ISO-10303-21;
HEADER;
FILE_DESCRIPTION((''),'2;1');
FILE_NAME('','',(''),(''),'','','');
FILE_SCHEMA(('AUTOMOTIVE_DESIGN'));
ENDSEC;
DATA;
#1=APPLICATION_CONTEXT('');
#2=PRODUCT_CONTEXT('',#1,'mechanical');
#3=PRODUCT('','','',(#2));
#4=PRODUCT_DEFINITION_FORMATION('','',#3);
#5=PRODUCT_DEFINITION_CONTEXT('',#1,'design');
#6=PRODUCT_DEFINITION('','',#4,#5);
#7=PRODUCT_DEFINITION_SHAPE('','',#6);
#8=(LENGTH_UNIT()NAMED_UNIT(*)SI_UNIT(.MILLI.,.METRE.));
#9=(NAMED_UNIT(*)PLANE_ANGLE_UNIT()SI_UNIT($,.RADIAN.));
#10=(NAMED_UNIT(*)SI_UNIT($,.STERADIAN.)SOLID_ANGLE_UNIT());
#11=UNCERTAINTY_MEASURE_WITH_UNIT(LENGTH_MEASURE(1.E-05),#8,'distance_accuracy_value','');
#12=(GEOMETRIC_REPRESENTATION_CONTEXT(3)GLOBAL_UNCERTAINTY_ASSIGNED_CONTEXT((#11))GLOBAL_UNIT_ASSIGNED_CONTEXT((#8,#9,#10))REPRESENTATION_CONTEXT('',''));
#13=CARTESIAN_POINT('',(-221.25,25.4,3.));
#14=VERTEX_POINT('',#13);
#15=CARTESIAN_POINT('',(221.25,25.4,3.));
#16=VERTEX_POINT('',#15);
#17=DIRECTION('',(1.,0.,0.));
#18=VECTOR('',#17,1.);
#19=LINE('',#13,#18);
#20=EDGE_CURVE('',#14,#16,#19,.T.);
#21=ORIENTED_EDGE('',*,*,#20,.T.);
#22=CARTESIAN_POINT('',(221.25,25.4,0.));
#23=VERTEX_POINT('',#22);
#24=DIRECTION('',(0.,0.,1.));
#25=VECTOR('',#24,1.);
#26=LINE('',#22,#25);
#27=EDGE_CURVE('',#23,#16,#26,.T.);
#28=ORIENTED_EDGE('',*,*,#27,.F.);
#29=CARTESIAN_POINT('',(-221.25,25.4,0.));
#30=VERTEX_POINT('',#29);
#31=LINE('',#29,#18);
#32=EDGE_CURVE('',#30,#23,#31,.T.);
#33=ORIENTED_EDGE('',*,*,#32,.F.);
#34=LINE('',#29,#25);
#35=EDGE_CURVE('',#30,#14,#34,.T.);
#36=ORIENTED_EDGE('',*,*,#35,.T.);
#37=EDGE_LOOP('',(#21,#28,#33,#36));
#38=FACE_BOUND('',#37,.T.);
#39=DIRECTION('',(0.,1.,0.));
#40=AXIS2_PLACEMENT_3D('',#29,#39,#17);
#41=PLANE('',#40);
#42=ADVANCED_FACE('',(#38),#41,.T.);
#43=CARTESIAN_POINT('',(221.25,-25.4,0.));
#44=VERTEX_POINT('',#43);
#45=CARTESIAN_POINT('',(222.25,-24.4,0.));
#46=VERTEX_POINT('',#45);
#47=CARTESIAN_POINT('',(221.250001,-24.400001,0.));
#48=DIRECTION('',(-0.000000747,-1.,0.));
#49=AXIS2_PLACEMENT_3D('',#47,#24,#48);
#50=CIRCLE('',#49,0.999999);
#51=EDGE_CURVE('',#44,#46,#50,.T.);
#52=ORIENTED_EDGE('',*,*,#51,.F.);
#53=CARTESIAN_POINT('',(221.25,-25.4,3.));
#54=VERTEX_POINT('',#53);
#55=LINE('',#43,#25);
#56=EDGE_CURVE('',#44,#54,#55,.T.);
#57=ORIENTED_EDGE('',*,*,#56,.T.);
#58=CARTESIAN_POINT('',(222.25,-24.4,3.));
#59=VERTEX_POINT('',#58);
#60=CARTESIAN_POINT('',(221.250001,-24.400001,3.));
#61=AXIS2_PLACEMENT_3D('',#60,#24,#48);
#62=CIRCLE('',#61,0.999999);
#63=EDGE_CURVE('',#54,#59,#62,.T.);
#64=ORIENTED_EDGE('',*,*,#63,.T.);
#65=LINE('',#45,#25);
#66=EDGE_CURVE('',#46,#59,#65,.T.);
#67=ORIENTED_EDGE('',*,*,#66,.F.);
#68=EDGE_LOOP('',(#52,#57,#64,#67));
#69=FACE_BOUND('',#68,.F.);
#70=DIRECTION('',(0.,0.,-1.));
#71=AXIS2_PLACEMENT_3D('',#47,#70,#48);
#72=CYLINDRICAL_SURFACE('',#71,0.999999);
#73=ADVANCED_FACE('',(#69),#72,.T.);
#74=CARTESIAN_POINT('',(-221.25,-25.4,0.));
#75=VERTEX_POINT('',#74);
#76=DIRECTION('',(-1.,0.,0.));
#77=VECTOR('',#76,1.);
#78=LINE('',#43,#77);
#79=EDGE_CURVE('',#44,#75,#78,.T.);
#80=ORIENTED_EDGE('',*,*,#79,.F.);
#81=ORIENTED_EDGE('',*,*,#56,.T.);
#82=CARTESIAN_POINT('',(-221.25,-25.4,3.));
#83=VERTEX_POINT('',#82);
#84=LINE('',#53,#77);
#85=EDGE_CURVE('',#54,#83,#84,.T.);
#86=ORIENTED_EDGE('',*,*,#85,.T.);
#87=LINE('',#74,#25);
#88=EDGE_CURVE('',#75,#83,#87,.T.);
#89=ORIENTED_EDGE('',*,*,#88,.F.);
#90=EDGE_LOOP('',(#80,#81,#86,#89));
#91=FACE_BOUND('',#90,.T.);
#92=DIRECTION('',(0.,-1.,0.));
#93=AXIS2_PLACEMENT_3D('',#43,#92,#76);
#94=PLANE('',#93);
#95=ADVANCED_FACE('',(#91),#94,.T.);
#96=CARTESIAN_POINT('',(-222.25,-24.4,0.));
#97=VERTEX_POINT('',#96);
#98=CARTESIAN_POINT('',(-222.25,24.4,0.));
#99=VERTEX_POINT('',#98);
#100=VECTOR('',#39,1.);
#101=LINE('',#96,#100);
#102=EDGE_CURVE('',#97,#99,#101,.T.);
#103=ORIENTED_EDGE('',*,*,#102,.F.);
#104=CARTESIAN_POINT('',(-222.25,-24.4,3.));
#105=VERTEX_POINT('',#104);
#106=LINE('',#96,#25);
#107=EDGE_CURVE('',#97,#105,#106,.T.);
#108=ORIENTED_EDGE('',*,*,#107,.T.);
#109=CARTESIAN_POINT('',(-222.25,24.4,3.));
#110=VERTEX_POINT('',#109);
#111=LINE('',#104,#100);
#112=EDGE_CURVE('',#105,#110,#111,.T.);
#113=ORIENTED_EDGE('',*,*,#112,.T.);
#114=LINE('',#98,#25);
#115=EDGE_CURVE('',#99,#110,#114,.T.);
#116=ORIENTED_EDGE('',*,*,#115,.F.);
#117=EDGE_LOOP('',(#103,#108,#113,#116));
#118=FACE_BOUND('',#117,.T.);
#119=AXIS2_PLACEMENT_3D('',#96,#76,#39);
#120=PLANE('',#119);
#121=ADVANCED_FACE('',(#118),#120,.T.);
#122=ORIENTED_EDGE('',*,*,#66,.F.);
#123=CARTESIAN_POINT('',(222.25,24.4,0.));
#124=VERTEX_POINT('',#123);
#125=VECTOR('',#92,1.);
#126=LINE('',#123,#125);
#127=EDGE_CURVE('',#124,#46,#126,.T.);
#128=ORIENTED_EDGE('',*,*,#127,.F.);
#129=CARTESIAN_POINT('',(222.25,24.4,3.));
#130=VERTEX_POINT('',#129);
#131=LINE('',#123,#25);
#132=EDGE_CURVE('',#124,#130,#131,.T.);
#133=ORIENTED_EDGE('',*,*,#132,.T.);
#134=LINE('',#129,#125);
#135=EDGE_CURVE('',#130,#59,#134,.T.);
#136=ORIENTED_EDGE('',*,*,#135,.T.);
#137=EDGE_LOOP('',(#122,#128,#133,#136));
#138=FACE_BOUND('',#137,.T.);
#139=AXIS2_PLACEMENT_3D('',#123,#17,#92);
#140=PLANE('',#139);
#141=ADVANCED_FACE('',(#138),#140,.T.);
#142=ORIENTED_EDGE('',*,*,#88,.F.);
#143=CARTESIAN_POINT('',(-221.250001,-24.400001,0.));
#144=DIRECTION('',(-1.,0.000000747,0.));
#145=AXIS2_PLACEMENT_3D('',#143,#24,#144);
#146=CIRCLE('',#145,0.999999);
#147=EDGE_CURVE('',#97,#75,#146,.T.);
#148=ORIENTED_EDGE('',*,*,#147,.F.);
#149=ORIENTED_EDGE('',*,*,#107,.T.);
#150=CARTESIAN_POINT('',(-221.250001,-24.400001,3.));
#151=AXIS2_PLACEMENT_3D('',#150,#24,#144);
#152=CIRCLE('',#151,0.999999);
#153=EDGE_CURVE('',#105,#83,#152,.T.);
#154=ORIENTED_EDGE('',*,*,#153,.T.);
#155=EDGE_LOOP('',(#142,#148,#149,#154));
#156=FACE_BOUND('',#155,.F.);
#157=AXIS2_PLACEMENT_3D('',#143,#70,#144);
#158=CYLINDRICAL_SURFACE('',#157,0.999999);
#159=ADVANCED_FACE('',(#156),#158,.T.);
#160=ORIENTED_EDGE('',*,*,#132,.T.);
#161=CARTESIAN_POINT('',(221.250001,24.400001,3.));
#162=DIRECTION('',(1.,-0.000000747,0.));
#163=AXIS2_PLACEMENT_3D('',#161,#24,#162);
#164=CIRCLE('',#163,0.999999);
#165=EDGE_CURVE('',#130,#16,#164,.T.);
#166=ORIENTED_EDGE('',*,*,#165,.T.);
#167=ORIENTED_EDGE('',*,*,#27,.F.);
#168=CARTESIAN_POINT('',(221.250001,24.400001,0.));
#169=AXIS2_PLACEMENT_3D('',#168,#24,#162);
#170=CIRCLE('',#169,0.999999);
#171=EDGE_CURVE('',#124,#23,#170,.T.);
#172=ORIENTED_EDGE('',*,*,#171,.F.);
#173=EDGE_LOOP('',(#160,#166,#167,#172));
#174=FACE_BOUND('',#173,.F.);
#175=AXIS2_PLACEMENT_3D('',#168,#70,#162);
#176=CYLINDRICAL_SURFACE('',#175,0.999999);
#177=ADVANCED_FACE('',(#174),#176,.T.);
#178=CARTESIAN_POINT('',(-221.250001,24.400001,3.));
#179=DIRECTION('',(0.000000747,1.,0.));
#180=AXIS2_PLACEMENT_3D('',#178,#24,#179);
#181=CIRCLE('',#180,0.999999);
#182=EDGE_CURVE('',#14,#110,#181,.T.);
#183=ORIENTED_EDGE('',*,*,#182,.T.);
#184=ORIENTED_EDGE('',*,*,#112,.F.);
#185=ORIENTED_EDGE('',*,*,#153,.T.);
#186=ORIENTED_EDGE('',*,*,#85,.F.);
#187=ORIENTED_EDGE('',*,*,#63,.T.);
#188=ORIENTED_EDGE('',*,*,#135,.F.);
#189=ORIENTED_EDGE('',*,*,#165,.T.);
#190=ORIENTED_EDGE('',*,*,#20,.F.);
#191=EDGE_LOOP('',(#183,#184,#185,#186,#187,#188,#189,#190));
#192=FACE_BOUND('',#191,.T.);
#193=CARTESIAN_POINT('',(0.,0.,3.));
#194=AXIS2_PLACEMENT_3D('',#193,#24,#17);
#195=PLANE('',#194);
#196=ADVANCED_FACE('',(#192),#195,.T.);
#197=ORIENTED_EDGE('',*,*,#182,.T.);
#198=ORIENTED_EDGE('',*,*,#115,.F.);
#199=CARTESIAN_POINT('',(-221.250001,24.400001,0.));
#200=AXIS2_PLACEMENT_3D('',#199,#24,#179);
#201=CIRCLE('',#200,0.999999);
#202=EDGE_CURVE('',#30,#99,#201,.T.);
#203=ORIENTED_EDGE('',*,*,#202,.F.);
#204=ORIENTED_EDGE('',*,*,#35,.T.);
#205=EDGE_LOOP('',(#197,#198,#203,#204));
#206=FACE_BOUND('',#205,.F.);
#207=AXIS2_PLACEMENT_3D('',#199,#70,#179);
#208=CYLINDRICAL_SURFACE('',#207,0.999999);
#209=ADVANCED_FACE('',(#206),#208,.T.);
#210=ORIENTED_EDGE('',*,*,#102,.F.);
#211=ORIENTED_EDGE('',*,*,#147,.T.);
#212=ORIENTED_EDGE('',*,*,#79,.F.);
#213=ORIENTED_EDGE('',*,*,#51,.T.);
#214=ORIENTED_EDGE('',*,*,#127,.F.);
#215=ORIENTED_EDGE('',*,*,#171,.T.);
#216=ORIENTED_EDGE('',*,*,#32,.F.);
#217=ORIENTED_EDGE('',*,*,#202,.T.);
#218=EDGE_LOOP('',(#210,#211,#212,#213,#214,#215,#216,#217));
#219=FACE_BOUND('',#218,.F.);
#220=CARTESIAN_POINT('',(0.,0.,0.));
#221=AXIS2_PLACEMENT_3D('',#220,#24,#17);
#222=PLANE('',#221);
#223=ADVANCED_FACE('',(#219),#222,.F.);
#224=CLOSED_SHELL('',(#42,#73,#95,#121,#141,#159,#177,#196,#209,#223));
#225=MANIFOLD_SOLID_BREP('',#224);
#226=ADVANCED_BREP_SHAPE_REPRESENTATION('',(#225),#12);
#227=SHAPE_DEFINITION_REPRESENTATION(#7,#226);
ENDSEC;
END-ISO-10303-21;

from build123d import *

# Parameters (mm, degrees)
PAD_DEPTH = 3


with BuildPart() as part:
    # Sketch → Pad (new body)
    with BuildSketch(Plane.XY):
        with BuildLine():
            ThreePointArc((-221.25, 25.4), (-221.957107, 25.107107), (-222.25, 24.4))
            Line((-222.25, -24.4), (-222.25, 24.4))
            ThreePointArc((-222.25, -24.4), (-221.957107, -25.107107), (-221.25, -25.4))
            Line((221.25, -25.4), (-221.25, -25.4))
            ThreePointArc((221.25, -25.4), (221.957107, -25.107107), (222.25, -24.4))
            Line((222.25, 24.4), (222.25, -24.4))
            ThreePointArc((222.25, 24.4), (221.957107, 25.107107), (221.25, 25.4))
            Line((-221.25, 25.4), (221.25, 25.4))
        make_face()
    extrude(amount=PAD_DEPTH)


solid = part.part
